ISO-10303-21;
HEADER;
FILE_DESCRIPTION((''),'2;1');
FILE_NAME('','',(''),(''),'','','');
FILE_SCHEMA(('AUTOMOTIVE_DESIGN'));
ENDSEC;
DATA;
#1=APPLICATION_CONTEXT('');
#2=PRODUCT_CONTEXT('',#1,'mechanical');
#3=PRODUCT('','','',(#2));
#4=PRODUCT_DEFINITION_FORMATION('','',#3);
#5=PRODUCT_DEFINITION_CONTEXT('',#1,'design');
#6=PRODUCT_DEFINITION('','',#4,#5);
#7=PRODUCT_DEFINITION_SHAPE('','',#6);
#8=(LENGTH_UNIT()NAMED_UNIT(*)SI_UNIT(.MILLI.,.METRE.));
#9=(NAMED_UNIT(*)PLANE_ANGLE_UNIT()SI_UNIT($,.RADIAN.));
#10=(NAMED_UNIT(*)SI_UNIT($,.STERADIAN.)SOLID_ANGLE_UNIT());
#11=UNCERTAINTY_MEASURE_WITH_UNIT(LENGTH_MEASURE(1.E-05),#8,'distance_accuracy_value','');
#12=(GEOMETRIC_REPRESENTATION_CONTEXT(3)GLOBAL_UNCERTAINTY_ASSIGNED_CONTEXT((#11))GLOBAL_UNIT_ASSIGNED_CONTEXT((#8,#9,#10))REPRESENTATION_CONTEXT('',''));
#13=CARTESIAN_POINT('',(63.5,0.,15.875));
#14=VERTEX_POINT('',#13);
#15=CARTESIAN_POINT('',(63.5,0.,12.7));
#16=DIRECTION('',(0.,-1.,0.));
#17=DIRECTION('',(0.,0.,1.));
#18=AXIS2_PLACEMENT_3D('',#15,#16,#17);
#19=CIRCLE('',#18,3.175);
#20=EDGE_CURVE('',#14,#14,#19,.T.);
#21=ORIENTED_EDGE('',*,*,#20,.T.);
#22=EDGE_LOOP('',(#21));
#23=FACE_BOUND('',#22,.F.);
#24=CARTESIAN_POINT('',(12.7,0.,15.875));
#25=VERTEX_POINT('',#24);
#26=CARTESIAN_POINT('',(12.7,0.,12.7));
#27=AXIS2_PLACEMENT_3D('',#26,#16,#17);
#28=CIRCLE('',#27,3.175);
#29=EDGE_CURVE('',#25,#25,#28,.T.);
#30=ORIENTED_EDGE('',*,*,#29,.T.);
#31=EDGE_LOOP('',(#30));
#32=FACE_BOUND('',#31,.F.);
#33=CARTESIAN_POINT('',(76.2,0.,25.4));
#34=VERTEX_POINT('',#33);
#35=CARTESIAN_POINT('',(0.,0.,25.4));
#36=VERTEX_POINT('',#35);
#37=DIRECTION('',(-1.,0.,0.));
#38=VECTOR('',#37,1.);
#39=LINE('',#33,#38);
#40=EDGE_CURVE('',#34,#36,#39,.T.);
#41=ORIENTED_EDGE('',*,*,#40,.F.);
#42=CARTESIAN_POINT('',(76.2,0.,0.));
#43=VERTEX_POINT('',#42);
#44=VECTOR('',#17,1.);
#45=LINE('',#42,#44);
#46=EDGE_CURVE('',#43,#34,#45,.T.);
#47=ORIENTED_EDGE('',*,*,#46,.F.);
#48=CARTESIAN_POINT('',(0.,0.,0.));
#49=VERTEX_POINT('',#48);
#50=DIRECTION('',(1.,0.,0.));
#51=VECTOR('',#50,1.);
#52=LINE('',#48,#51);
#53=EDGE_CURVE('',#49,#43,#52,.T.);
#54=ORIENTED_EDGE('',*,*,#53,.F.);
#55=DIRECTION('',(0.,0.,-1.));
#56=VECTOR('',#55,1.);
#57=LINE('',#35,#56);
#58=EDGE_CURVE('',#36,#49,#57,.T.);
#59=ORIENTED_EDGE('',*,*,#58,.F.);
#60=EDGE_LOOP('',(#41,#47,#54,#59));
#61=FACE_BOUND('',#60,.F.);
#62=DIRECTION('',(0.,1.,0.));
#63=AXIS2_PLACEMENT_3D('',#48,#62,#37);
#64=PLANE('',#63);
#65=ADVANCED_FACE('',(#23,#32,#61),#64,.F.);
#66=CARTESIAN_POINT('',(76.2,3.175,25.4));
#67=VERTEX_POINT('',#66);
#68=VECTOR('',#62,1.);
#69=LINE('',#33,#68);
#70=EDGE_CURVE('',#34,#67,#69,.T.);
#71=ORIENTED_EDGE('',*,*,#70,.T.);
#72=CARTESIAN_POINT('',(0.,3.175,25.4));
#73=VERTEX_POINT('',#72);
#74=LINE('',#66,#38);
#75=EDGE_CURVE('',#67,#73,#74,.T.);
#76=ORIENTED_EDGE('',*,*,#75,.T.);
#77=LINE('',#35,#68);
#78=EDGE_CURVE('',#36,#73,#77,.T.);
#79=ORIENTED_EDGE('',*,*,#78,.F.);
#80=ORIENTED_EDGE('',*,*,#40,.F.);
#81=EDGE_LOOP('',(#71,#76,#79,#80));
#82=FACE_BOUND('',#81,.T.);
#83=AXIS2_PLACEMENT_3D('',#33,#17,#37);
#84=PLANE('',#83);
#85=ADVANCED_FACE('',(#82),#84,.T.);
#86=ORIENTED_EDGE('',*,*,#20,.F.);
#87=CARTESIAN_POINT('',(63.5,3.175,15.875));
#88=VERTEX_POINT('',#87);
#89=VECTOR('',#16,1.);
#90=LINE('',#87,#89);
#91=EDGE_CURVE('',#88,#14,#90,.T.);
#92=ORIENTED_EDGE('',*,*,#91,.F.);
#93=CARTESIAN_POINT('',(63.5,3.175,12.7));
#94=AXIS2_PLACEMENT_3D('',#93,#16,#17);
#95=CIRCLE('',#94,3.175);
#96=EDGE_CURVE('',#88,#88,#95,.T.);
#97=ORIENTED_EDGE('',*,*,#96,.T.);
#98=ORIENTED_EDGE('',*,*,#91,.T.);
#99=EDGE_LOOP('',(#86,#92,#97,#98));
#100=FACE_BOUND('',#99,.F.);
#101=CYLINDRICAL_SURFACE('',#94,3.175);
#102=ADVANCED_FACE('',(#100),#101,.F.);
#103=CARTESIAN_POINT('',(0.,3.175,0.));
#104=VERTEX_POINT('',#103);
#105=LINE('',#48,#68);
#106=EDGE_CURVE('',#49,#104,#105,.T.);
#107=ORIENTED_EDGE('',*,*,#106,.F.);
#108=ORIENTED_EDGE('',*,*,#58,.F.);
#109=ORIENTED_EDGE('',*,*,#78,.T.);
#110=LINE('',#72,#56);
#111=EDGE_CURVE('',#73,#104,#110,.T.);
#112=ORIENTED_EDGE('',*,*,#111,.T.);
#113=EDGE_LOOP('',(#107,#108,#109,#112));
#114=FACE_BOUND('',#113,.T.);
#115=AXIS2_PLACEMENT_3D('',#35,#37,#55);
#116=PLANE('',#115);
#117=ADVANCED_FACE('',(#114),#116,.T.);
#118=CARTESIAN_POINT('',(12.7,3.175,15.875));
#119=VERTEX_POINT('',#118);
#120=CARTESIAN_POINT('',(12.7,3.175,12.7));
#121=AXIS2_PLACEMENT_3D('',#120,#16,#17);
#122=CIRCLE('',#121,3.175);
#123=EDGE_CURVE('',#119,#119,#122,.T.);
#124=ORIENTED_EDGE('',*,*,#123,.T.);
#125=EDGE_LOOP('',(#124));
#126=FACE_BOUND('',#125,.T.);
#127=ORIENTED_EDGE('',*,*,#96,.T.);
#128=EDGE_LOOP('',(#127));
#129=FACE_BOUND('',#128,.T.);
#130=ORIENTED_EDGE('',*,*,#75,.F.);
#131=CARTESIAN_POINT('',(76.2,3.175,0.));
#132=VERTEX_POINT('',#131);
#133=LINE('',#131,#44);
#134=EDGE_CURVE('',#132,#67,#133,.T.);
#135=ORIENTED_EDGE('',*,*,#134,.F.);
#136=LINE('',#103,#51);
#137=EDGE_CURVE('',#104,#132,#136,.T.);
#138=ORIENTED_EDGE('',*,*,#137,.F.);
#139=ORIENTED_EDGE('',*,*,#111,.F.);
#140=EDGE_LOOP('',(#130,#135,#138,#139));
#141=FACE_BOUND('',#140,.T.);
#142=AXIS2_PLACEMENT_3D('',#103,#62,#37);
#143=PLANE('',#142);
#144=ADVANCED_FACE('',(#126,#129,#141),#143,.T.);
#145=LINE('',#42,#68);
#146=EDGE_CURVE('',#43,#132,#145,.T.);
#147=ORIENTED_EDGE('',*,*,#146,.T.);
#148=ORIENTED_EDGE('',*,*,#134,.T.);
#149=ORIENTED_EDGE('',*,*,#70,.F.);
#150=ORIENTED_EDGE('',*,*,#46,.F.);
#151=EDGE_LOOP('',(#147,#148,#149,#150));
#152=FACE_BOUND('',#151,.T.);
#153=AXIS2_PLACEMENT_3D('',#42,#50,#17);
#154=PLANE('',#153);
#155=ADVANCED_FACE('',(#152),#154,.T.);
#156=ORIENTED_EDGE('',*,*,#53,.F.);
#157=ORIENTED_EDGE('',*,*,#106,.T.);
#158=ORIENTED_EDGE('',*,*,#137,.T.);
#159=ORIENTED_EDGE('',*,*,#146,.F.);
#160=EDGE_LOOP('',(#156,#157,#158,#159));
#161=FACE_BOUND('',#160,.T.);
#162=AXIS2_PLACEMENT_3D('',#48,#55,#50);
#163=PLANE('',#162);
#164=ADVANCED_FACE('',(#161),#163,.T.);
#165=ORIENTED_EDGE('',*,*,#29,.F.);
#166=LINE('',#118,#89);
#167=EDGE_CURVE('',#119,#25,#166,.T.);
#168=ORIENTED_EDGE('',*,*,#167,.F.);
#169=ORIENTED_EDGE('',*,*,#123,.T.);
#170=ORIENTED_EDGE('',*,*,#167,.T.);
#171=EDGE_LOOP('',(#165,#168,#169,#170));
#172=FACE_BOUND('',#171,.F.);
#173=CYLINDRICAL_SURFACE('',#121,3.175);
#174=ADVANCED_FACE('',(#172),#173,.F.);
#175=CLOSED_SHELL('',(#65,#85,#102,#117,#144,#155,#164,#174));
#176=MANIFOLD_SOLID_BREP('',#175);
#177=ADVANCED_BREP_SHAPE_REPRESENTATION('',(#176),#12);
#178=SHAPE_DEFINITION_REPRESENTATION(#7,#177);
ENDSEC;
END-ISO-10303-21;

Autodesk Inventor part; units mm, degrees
ref_plane "YZ Plane" through (0, 0, 0) normal (1, 0, 0) x (0, 1, 0)
ref_plane "XZ Plane" through (0, 0, 0) normal (0, 1, 0) x (-1, 0, 0)
ref_plane "XY Plane" through (0, 0, 0) normal (0, 0, 1) x (1, 0, 0)
sketch "Sketch1" plane through (0, 0, 0) normal (0, 1, 0) x (-1, 0, 0)
  line L0 (0, 0) -> (-76.2, 0)
  line L1 (-76.2, 0) -> (-76.2, 25.4)
  line L2 (-76.2, 25.4) -> (0, 25.4)
  line L3 (0, 25.4) -> (0, 0)
  dimension "d0" = 76.2
  dimension "d1" = 25.4
extrude "Extrusion1" add sketch "Sketch1" along normal blind 3.175
sketch "Sketch2" plane through (0, 3.175, 0) normal (0, 1, 0) x (1, 0, 0)
  line L0 (76.2, 0) -> (0, 0) projected
  line L1 (0, 0) -> (0, -25.4) projected
  line L2 (76.2, -25.4) -> (76.2, 0) projected
  point P0 (12.7, -12.7)
  point P1 (63.5, -12.7)
  dimension "d4" = 12.7
  dimension "d5" = 12.7
  dimension "d6" = 12.7
  dimension "d7" = 12.7
hole "Hole1" at (12.7, 3.175, 12.7) at (63.5, 3.175, 12.7) direction (0, -1, 0) diameter 6.35 end through all
properties part number "pickup arm gusset" material "Aluminum 6061"
